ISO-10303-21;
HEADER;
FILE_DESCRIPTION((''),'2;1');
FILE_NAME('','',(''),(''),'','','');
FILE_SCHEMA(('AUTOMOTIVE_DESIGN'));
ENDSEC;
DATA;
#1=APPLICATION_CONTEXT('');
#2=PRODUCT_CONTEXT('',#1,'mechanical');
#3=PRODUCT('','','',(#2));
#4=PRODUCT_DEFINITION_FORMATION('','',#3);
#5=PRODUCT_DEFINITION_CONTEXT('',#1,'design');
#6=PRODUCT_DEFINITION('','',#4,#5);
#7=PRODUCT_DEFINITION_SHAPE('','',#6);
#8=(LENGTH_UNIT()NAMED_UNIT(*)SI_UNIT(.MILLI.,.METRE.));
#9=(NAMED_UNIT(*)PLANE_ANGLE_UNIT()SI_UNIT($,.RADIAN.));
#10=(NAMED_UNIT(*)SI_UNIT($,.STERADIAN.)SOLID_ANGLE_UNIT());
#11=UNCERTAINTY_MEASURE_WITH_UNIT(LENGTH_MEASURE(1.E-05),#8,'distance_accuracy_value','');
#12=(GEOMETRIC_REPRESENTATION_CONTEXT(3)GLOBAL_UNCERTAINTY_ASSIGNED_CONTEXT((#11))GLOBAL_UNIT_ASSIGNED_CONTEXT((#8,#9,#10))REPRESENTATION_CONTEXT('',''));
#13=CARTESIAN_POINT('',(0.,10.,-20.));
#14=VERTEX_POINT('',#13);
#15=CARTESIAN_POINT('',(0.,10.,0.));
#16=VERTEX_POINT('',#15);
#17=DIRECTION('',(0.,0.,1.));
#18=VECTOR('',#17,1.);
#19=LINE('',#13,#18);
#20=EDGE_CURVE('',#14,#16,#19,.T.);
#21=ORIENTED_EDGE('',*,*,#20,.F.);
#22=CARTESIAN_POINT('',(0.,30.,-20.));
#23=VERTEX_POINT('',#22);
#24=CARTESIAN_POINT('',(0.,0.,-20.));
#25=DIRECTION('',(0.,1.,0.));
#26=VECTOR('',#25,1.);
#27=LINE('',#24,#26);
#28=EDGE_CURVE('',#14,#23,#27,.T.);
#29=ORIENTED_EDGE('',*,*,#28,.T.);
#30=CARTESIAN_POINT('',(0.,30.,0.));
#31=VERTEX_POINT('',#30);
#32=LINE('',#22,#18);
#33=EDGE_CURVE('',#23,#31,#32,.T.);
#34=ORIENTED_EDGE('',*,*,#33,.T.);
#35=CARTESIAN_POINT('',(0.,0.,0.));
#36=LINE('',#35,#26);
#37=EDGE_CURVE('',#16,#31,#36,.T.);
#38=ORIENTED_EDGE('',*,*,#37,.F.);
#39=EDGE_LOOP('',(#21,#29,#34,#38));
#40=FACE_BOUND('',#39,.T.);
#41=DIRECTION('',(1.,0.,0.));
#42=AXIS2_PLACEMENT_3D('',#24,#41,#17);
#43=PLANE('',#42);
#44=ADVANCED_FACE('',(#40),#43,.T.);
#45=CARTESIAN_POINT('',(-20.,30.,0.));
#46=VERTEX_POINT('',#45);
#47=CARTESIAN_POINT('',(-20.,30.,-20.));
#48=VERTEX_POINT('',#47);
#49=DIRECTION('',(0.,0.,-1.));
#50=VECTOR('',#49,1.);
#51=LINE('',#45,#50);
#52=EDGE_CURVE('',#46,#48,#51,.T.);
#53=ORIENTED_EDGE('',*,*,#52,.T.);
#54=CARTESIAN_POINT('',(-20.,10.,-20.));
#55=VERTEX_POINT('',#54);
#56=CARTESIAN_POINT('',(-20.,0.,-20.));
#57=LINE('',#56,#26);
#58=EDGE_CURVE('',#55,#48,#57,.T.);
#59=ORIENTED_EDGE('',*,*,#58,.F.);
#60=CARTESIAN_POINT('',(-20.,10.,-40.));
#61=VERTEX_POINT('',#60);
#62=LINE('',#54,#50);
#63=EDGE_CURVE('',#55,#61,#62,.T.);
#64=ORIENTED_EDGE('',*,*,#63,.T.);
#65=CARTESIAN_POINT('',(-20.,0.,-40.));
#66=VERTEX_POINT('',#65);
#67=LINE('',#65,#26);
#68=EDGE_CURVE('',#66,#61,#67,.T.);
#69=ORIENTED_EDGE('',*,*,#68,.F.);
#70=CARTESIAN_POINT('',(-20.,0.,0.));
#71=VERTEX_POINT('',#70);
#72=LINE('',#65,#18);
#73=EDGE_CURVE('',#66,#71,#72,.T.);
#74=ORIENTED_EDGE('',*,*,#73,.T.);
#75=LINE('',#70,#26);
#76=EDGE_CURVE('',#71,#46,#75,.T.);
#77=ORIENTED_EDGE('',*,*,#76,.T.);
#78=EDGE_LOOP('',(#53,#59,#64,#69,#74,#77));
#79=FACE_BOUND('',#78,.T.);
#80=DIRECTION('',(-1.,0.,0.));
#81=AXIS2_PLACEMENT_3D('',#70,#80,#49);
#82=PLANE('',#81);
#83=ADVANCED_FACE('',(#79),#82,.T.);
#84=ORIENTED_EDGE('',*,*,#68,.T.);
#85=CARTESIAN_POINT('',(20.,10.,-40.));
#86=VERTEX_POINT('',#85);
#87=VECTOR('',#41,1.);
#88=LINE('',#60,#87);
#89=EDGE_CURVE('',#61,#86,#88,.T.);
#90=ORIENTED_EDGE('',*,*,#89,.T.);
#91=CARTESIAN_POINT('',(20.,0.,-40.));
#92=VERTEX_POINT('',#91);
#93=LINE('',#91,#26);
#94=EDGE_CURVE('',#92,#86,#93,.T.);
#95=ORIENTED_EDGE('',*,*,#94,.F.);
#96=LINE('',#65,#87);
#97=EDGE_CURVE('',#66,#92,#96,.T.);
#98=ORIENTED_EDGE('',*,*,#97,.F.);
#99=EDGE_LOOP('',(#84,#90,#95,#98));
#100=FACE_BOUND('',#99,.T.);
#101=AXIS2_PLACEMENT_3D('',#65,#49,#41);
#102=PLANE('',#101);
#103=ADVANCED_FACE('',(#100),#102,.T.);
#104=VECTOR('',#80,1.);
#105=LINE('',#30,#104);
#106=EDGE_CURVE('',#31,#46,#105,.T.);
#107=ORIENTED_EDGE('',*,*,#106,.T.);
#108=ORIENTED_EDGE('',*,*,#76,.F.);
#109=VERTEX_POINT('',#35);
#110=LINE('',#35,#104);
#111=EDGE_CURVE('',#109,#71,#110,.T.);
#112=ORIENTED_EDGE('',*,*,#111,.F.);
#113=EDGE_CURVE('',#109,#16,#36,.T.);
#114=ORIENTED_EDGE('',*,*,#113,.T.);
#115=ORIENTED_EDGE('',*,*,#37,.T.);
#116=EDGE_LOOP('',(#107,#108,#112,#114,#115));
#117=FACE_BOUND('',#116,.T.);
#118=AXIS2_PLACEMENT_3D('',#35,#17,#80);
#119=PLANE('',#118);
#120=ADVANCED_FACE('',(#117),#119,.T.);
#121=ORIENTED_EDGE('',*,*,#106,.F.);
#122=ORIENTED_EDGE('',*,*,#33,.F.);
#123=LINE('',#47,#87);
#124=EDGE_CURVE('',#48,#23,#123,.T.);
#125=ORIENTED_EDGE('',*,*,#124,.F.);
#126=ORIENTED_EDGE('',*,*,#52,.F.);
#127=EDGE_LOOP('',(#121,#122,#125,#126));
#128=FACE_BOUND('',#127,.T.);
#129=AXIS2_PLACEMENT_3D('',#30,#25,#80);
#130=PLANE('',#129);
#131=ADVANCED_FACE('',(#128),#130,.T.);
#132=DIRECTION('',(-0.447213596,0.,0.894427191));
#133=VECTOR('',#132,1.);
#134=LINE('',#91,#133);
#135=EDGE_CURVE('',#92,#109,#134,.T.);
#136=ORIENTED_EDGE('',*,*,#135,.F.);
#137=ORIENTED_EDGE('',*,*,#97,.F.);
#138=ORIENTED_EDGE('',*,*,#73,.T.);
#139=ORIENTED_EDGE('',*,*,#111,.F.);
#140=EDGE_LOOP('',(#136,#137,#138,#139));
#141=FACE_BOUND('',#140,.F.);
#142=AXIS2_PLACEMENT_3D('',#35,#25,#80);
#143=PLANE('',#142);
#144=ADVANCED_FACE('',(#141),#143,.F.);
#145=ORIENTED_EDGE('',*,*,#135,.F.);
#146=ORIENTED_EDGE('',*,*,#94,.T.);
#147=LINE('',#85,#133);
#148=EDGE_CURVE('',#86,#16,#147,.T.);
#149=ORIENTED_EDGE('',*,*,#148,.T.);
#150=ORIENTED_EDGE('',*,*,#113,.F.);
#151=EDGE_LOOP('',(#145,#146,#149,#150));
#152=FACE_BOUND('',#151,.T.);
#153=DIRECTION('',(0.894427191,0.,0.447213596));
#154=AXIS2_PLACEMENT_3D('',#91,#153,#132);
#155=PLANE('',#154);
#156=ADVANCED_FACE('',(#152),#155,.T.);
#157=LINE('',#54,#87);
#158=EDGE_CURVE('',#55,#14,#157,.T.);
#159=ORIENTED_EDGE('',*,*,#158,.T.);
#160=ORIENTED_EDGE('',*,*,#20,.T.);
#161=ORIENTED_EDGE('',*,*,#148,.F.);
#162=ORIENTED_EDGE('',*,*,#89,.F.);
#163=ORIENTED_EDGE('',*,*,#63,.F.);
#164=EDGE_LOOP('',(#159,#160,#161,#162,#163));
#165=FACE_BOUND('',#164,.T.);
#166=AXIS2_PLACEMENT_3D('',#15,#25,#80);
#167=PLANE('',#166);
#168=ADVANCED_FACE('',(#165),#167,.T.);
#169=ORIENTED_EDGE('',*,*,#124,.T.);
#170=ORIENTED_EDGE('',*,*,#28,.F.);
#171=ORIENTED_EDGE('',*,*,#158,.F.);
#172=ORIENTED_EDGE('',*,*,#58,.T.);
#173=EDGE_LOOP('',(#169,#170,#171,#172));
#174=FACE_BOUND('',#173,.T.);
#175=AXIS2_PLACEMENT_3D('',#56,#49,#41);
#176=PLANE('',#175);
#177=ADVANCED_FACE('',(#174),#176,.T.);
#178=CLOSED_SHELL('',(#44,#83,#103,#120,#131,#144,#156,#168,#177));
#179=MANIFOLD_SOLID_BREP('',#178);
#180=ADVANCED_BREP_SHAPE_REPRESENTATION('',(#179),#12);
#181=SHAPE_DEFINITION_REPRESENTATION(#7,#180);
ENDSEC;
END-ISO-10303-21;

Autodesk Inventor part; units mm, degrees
ref_plane "YZ Plane" through (0, 0, 0) normal (1, 0, 0) x (0, 1, 0)
ref_plane "XZ Plane" through (0, 0, 0) normal (0, 1, 0) x (-1, 0, 0)
ref_plane "XY Plane" through (0, 0, 0) normal (0, 0, 1) x (1, 0, 0)
sketch "草圖1" plane through (0, 0, 0) normal (0, 1, 0) x (-1, 0, 0)
  line L0 (0, 0) -> (20, 0)
  line L1 (20, 0) -> (20, -20)
  line L2 (20, -20) -> (0, -20)
  line L3 (0, -20) -> (0, 0)
  line L4 (20, -20) -> (20, -40)
  line L5 (20, -40) -> (-20, -40)
  line L6 (-20, -40) -> (0, 0)
  dimension "d0" = 20
  dimension "d1" = 20
  dimension "d2" = 20
  dimension "d3" = 40
extrude "擠出1" add sketch "草圖1" along normal blind 30 contours L0 L1 L2 L3
extrude "擠出2" add sketch "草圖1" along normal blind 10 contours L3 L2 L4 L5 L6
